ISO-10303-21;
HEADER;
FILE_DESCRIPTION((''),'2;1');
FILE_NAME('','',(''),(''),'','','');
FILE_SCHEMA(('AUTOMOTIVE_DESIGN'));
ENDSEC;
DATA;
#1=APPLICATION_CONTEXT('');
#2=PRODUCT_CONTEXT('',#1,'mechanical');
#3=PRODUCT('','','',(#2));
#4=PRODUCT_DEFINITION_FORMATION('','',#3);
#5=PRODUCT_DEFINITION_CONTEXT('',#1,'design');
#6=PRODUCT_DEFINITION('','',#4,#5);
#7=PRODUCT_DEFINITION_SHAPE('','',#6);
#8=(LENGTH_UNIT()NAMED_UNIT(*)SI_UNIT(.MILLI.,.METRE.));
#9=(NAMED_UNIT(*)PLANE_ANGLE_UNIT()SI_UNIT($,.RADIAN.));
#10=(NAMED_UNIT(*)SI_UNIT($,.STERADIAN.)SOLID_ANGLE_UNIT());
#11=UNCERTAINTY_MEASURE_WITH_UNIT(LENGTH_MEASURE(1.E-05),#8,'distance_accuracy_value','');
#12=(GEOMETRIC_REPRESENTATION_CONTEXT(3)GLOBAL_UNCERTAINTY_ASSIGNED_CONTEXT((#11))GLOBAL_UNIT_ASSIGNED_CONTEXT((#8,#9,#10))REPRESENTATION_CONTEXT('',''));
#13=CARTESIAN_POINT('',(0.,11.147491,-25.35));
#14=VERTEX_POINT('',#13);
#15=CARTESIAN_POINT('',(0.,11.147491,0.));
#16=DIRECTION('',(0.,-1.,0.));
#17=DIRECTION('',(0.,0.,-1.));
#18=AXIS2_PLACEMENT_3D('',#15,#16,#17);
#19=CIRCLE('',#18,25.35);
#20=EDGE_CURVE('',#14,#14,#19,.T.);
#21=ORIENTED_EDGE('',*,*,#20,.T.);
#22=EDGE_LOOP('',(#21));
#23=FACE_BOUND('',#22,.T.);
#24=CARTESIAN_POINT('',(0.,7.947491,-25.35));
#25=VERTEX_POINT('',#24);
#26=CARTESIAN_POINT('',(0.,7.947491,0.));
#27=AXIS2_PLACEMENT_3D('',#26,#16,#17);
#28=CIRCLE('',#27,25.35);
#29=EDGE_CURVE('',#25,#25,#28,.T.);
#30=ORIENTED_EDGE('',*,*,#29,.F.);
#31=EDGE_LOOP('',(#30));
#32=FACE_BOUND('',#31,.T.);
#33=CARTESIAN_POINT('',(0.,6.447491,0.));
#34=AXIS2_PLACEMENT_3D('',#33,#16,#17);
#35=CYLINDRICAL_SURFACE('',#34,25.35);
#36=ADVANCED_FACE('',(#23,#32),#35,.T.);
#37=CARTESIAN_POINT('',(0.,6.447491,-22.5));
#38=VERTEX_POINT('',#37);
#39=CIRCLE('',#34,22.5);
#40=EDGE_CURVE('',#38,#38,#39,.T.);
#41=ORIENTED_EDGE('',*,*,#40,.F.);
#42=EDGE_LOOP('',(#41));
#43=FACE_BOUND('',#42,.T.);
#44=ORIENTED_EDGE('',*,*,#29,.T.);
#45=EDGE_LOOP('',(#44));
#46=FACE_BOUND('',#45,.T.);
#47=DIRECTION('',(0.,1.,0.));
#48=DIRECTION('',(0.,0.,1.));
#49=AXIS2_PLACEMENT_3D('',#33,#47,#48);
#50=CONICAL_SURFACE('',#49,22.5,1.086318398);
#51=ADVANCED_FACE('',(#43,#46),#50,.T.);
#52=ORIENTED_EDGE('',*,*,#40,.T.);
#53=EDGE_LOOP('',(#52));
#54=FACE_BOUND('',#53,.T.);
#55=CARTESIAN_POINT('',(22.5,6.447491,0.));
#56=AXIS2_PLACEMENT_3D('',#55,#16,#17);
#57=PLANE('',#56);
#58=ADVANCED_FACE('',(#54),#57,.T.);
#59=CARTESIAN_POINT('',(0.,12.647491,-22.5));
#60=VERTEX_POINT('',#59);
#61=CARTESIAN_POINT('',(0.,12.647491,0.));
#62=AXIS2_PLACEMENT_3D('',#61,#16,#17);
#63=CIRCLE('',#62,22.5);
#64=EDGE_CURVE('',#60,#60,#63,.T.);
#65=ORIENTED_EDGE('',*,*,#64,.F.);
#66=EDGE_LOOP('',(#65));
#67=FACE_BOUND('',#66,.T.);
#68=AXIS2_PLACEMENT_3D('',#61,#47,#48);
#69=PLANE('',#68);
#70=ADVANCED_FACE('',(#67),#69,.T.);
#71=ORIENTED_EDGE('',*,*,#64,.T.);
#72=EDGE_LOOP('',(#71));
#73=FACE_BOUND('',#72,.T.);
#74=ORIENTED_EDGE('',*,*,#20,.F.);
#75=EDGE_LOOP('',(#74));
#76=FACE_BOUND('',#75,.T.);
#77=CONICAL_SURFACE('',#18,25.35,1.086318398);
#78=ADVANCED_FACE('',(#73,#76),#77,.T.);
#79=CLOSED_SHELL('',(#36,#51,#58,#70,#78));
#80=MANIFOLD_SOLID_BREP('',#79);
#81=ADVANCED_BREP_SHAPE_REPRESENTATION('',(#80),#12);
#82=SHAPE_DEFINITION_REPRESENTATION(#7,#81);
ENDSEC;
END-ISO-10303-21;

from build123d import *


with BuildPart() as part:
    # Sketch1 → Revolve1 (revolve)
    with BuildSketch(Plane.XY, mode=Mode.PRIVATE) as revolve1_sk:
        Polygon((0, 6.4474909), (0, 12.6474909), (22.5, 12.6474909), (25.35, 11.1474909), (25.35, 7.9474909), (22.5, 6.4474909), align=None)
    revolve(revolve1_sk.sketch.rotate(Axis((0, 6.4474909, 0), (0, 1, 0)), 90), axis=Axis((0, 6.4474909, 0), (0, 1, 0)))


solid = part.part
